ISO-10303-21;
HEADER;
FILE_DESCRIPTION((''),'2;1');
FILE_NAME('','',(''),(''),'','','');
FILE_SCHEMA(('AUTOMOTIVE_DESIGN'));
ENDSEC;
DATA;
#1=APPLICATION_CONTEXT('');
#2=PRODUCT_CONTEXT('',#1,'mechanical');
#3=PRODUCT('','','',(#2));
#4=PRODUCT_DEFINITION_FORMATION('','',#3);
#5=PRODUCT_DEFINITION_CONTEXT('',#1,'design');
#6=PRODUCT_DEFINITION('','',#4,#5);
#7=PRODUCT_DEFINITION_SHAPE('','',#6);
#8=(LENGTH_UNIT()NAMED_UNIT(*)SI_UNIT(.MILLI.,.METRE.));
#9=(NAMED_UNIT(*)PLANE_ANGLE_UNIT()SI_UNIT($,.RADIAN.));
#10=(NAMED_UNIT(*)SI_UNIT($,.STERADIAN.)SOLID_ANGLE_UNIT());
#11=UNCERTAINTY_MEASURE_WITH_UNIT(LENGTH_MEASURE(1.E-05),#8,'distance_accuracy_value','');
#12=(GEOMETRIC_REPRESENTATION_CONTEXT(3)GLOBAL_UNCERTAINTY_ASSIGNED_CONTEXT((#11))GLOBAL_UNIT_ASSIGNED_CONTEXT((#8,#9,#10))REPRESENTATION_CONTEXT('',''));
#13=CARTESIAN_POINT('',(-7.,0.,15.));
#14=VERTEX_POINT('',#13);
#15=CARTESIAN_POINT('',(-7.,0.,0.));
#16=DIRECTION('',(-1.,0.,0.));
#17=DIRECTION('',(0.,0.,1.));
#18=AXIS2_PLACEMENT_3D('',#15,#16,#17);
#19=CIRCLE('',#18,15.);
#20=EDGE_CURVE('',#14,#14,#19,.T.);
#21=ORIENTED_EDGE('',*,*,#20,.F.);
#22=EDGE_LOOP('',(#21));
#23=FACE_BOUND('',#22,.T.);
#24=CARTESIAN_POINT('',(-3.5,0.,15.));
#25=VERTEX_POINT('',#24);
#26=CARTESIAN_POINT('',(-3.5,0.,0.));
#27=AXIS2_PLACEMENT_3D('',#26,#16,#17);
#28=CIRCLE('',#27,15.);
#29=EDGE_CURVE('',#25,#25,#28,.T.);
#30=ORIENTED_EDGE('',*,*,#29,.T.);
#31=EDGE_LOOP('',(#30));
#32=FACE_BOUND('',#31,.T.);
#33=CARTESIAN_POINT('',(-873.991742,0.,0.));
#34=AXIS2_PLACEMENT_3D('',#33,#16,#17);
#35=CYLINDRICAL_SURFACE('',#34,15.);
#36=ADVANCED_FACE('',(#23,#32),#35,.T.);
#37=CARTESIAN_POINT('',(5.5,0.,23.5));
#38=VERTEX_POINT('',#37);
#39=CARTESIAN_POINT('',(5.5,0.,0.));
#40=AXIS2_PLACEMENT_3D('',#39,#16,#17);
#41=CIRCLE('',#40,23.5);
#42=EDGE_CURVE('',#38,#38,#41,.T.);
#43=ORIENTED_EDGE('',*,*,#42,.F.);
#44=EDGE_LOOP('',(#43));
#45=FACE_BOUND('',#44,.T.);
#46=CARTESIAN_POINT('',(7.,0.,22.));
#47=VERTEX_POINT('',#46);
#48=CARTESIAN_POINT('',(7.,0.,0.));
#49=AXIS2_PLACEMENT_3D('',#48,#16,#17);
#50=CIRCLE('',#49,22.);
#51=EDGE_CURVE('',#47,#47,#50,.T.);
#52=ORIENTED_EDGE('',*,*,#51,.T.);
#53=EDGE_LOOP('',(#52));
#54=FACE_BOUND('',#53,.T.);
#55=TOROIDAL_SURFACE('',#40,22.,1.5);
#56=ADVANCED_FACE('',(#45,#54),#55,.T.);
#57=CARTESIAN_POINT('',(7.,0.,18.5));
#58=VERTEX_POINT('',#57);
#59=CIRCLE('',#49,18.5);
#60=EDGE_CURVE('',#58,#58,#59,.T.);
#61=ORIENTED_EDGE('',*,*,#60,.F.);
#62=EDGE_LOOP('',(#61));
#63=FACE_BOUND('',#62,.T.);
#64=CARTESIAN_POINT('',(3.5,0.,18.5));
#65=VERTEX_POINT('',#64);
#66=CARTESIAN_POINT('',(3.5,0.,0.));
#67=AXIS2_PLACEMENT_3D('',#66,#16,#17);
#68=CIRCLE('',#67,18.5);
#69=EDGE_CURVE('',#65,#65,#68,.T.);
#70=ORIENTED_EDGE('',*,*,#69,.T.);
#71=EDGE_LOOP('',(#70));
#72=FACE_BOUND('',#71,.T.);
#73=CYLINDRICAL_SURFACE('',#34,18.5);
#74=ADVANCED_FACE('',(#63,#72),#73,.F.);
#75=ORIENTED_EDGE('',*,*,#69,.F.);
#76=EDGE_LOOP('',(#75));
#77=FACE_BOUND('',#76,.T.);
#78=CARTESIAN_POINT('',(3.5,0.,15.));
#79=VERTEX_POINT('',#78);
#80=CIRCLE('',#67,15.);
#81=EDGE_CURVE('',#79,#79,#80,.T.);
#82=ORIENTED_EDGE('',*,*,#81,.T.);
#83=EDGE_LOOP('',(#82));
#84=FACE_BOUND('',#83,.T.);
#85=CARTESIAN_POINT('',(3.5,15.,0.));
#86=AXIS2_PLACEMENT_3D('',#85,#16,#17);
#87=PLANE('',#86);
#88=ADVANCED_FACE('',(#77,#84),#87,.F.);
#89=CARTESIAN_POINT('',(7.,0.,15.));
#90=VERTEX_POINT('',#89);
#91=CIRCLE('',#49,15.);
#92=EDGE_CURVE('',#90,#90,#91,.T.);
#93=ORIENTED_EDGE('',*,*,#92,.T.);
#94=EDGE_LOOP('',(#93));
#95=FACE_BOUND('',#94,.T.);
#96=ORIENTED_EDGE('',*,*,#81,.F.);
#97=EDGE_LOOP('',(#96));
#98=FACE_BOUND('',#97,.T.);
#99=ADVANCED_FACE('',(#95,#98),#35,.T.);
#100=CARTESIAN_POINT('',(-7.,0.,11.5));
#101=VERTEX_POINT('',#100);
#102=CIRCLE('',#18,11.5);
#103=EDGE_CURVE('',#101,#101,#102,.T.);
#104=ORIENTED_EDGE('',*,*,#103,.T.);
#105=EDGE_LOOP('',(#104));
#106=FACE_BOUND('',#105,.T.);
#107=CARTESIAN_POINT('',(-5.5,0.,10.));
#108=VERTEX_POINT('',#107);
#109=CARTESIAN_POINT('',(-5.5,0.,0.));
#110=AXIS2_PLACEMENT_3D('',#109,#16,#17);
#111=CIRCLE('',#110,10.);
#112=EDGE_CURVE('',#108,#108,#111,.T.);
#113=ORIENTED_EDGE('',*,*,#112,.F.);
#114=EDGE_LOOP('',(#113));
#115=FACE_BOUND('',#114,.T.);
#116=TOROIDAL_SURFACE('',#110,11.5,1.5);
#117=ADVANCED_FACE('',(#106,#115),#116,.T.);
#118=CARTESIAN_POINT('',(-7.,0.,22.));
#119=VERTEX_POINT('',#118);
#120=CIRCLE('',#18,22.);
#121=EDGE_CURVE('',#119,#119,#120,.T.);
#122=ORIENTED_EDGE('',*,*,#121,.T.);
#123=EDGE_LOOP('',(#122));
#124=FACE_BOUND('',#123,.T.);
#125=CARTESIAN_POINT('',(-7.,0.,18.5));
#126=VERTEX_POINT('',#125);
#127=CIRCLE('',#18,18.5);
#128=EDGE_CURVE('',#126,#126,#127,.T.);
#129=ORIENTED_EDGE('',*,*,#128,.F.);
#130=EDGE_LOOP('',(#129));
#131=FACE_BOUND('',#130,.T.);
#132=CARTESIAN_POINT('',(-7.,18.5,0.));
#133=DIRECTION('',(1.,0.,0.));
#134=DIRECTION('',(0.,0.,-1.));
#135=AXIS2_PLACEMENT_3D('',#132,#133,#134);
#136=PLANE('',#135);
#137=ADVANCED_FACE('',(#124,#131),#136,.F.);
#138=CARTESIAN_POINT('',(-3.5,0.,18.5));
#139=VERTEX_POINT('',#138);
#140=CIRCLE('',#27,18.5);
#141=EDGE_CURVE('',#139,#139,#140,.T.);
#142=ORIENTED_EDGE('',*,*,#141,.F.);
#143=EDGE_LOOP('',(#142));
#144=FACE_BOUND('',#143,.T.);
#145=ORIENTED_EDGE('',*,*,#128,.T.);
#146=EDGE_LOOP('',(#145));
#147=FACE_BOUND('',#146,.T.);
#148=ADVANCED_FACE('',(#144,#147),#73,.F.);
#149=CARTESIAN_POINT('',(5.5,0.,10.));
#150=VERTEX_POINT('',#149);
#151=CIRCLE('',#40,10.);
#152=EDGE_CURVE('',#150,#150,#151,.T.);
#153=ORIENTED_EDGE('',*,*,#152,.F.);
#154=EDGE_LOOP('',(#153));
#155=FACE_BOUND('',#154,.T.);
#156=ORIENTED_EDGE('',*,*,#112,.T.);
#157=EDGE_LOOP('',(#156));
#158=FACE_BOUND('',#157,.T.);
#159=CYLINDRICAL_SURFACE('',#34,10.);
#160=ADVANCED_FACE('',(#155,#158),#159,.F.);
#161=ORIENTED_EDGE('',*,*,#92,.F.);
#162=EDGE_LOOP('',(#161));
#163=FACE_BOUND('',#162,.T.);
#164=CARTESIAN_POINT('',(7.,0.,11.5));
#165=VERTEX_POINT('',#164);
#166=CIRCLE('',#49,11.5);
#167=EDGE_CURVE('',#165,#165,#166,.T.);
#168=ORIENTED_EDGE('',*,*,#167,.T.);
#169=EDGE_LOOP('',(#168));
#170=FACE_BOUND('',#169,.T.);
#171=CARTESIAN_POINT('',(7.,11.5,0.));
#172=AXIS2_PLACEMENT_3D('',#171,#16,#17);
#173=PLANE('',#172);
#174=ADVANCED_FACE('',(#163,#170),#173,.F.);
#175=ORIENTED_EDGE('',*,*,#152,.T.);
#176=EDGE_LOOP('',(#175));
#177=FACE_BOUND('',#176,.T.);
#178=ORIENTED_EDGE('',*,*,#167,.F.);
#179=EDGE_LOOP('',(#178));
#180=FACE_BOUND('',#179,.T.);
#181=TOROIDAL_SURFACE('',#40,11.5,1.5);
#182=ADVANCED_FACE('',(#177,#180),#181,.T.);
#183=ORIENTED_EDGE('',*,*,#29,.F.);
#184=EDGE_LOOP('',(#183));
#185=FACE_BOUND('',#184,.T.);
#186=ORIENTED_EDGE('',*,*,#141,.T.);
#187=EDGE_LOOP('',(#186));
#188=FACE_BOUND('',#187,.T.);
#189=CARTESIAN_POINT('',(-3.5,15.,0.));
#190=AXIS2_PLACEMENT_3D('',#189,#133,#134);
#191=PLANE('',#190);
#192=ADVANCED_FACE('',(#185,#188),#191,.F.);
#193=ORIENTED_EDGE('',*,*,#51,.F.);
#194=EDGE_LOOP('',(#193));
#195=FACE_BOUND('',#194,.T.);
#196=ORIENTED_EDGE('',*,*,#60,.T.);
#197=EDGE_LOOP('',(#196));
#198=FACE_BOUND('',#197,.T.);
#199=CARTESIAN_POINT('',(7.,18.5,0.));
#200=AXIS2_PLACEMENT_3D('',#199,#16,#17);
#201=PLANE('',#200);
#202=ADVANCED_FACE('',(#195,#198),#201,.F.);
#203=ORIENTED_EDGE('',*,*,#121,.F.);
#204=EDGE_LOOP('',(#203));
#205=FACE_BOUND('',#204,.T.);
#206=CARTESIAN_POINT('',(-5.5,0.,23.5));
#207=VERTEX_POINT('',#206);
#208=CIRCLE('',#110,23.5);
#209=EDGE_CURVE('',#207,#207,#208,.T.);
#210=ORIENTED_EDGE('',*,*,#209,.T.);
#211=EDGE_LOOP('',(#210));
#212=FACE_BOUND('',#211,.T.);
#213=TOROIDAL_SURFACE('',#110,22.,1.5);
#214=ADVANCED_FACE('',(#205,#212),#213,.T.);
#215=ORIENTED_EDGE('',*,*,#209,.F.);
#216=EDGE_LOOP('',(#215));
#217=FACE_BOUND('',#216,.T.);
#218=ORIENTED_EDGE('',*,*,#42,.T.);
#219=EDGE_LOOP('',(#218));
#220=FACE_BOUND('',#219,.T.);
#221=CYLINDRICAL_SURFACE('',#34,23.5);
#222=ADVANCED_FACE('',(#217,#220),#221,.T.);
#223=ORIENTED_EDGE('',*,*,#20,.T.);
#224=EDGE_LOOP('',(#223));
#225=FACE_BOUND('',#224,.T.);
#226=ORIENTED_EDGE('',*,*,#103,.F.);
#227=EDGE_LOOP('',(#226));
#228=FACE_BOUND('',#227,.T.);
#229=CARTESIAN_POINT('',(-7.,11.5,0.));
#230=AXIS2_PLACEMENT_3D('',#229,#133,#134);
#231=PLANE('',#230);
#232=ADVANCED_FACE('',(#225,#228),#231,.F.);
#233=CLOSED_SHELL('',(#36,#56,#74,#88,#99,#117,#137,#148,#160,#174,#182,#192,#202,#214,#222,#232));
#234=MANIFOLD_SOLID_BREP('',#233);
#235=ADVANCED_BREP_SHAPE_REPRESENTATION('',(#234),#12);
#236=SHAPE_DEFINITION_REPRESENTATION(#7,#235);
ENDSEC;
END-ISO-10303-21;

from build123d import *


with BuildPart() as part:
    # Эскиз1 → Повернуть1 (revolve)
    with BuildSketch(Plane.XY):
        with BuildLine():
            Line((5.5, 10), (-5.5, 10))
            ThreePointArc((-5.5, 10), (-6.560660172, 10.439339828), (-7, 11.5))
            Line((-7, 11.5), (-7, 15))
            Line((-7, 15), (-3.5, 15))
            Line((-3.5, 15), (-3.5, 18.5))
            Line((-3.5, 18.5), (-7, 18.5))
            Line((-7, 18.5), (-7, 22))
            ThreePointArc((-7, 22), (-6.560660172, 23.060660172), (-5.5, 23.5))
            Line((-5.5, 23.5), (5.5, 23.5))
            ThreePointArc((5.5, 23.5), (6.560660172, 23.060660172), (7, 22))
            Line((7, 22), (7, 18.5))
            Line((7, 18.5), (3.5, 18.5))
            Line((3.5, 18.5), (3.5, 15))
            Line((3.5, 15), (7, 15))
            Line((7, 15), (7, 11.5))
            ThreePointArc((7, 11.5), (6.560660172, 10.439339828), (5.5, 10))
        make_face()
    revolve(axis=Axis((-873.991742101, 0, 0), (1, 0, 0)))


solid = part.part
